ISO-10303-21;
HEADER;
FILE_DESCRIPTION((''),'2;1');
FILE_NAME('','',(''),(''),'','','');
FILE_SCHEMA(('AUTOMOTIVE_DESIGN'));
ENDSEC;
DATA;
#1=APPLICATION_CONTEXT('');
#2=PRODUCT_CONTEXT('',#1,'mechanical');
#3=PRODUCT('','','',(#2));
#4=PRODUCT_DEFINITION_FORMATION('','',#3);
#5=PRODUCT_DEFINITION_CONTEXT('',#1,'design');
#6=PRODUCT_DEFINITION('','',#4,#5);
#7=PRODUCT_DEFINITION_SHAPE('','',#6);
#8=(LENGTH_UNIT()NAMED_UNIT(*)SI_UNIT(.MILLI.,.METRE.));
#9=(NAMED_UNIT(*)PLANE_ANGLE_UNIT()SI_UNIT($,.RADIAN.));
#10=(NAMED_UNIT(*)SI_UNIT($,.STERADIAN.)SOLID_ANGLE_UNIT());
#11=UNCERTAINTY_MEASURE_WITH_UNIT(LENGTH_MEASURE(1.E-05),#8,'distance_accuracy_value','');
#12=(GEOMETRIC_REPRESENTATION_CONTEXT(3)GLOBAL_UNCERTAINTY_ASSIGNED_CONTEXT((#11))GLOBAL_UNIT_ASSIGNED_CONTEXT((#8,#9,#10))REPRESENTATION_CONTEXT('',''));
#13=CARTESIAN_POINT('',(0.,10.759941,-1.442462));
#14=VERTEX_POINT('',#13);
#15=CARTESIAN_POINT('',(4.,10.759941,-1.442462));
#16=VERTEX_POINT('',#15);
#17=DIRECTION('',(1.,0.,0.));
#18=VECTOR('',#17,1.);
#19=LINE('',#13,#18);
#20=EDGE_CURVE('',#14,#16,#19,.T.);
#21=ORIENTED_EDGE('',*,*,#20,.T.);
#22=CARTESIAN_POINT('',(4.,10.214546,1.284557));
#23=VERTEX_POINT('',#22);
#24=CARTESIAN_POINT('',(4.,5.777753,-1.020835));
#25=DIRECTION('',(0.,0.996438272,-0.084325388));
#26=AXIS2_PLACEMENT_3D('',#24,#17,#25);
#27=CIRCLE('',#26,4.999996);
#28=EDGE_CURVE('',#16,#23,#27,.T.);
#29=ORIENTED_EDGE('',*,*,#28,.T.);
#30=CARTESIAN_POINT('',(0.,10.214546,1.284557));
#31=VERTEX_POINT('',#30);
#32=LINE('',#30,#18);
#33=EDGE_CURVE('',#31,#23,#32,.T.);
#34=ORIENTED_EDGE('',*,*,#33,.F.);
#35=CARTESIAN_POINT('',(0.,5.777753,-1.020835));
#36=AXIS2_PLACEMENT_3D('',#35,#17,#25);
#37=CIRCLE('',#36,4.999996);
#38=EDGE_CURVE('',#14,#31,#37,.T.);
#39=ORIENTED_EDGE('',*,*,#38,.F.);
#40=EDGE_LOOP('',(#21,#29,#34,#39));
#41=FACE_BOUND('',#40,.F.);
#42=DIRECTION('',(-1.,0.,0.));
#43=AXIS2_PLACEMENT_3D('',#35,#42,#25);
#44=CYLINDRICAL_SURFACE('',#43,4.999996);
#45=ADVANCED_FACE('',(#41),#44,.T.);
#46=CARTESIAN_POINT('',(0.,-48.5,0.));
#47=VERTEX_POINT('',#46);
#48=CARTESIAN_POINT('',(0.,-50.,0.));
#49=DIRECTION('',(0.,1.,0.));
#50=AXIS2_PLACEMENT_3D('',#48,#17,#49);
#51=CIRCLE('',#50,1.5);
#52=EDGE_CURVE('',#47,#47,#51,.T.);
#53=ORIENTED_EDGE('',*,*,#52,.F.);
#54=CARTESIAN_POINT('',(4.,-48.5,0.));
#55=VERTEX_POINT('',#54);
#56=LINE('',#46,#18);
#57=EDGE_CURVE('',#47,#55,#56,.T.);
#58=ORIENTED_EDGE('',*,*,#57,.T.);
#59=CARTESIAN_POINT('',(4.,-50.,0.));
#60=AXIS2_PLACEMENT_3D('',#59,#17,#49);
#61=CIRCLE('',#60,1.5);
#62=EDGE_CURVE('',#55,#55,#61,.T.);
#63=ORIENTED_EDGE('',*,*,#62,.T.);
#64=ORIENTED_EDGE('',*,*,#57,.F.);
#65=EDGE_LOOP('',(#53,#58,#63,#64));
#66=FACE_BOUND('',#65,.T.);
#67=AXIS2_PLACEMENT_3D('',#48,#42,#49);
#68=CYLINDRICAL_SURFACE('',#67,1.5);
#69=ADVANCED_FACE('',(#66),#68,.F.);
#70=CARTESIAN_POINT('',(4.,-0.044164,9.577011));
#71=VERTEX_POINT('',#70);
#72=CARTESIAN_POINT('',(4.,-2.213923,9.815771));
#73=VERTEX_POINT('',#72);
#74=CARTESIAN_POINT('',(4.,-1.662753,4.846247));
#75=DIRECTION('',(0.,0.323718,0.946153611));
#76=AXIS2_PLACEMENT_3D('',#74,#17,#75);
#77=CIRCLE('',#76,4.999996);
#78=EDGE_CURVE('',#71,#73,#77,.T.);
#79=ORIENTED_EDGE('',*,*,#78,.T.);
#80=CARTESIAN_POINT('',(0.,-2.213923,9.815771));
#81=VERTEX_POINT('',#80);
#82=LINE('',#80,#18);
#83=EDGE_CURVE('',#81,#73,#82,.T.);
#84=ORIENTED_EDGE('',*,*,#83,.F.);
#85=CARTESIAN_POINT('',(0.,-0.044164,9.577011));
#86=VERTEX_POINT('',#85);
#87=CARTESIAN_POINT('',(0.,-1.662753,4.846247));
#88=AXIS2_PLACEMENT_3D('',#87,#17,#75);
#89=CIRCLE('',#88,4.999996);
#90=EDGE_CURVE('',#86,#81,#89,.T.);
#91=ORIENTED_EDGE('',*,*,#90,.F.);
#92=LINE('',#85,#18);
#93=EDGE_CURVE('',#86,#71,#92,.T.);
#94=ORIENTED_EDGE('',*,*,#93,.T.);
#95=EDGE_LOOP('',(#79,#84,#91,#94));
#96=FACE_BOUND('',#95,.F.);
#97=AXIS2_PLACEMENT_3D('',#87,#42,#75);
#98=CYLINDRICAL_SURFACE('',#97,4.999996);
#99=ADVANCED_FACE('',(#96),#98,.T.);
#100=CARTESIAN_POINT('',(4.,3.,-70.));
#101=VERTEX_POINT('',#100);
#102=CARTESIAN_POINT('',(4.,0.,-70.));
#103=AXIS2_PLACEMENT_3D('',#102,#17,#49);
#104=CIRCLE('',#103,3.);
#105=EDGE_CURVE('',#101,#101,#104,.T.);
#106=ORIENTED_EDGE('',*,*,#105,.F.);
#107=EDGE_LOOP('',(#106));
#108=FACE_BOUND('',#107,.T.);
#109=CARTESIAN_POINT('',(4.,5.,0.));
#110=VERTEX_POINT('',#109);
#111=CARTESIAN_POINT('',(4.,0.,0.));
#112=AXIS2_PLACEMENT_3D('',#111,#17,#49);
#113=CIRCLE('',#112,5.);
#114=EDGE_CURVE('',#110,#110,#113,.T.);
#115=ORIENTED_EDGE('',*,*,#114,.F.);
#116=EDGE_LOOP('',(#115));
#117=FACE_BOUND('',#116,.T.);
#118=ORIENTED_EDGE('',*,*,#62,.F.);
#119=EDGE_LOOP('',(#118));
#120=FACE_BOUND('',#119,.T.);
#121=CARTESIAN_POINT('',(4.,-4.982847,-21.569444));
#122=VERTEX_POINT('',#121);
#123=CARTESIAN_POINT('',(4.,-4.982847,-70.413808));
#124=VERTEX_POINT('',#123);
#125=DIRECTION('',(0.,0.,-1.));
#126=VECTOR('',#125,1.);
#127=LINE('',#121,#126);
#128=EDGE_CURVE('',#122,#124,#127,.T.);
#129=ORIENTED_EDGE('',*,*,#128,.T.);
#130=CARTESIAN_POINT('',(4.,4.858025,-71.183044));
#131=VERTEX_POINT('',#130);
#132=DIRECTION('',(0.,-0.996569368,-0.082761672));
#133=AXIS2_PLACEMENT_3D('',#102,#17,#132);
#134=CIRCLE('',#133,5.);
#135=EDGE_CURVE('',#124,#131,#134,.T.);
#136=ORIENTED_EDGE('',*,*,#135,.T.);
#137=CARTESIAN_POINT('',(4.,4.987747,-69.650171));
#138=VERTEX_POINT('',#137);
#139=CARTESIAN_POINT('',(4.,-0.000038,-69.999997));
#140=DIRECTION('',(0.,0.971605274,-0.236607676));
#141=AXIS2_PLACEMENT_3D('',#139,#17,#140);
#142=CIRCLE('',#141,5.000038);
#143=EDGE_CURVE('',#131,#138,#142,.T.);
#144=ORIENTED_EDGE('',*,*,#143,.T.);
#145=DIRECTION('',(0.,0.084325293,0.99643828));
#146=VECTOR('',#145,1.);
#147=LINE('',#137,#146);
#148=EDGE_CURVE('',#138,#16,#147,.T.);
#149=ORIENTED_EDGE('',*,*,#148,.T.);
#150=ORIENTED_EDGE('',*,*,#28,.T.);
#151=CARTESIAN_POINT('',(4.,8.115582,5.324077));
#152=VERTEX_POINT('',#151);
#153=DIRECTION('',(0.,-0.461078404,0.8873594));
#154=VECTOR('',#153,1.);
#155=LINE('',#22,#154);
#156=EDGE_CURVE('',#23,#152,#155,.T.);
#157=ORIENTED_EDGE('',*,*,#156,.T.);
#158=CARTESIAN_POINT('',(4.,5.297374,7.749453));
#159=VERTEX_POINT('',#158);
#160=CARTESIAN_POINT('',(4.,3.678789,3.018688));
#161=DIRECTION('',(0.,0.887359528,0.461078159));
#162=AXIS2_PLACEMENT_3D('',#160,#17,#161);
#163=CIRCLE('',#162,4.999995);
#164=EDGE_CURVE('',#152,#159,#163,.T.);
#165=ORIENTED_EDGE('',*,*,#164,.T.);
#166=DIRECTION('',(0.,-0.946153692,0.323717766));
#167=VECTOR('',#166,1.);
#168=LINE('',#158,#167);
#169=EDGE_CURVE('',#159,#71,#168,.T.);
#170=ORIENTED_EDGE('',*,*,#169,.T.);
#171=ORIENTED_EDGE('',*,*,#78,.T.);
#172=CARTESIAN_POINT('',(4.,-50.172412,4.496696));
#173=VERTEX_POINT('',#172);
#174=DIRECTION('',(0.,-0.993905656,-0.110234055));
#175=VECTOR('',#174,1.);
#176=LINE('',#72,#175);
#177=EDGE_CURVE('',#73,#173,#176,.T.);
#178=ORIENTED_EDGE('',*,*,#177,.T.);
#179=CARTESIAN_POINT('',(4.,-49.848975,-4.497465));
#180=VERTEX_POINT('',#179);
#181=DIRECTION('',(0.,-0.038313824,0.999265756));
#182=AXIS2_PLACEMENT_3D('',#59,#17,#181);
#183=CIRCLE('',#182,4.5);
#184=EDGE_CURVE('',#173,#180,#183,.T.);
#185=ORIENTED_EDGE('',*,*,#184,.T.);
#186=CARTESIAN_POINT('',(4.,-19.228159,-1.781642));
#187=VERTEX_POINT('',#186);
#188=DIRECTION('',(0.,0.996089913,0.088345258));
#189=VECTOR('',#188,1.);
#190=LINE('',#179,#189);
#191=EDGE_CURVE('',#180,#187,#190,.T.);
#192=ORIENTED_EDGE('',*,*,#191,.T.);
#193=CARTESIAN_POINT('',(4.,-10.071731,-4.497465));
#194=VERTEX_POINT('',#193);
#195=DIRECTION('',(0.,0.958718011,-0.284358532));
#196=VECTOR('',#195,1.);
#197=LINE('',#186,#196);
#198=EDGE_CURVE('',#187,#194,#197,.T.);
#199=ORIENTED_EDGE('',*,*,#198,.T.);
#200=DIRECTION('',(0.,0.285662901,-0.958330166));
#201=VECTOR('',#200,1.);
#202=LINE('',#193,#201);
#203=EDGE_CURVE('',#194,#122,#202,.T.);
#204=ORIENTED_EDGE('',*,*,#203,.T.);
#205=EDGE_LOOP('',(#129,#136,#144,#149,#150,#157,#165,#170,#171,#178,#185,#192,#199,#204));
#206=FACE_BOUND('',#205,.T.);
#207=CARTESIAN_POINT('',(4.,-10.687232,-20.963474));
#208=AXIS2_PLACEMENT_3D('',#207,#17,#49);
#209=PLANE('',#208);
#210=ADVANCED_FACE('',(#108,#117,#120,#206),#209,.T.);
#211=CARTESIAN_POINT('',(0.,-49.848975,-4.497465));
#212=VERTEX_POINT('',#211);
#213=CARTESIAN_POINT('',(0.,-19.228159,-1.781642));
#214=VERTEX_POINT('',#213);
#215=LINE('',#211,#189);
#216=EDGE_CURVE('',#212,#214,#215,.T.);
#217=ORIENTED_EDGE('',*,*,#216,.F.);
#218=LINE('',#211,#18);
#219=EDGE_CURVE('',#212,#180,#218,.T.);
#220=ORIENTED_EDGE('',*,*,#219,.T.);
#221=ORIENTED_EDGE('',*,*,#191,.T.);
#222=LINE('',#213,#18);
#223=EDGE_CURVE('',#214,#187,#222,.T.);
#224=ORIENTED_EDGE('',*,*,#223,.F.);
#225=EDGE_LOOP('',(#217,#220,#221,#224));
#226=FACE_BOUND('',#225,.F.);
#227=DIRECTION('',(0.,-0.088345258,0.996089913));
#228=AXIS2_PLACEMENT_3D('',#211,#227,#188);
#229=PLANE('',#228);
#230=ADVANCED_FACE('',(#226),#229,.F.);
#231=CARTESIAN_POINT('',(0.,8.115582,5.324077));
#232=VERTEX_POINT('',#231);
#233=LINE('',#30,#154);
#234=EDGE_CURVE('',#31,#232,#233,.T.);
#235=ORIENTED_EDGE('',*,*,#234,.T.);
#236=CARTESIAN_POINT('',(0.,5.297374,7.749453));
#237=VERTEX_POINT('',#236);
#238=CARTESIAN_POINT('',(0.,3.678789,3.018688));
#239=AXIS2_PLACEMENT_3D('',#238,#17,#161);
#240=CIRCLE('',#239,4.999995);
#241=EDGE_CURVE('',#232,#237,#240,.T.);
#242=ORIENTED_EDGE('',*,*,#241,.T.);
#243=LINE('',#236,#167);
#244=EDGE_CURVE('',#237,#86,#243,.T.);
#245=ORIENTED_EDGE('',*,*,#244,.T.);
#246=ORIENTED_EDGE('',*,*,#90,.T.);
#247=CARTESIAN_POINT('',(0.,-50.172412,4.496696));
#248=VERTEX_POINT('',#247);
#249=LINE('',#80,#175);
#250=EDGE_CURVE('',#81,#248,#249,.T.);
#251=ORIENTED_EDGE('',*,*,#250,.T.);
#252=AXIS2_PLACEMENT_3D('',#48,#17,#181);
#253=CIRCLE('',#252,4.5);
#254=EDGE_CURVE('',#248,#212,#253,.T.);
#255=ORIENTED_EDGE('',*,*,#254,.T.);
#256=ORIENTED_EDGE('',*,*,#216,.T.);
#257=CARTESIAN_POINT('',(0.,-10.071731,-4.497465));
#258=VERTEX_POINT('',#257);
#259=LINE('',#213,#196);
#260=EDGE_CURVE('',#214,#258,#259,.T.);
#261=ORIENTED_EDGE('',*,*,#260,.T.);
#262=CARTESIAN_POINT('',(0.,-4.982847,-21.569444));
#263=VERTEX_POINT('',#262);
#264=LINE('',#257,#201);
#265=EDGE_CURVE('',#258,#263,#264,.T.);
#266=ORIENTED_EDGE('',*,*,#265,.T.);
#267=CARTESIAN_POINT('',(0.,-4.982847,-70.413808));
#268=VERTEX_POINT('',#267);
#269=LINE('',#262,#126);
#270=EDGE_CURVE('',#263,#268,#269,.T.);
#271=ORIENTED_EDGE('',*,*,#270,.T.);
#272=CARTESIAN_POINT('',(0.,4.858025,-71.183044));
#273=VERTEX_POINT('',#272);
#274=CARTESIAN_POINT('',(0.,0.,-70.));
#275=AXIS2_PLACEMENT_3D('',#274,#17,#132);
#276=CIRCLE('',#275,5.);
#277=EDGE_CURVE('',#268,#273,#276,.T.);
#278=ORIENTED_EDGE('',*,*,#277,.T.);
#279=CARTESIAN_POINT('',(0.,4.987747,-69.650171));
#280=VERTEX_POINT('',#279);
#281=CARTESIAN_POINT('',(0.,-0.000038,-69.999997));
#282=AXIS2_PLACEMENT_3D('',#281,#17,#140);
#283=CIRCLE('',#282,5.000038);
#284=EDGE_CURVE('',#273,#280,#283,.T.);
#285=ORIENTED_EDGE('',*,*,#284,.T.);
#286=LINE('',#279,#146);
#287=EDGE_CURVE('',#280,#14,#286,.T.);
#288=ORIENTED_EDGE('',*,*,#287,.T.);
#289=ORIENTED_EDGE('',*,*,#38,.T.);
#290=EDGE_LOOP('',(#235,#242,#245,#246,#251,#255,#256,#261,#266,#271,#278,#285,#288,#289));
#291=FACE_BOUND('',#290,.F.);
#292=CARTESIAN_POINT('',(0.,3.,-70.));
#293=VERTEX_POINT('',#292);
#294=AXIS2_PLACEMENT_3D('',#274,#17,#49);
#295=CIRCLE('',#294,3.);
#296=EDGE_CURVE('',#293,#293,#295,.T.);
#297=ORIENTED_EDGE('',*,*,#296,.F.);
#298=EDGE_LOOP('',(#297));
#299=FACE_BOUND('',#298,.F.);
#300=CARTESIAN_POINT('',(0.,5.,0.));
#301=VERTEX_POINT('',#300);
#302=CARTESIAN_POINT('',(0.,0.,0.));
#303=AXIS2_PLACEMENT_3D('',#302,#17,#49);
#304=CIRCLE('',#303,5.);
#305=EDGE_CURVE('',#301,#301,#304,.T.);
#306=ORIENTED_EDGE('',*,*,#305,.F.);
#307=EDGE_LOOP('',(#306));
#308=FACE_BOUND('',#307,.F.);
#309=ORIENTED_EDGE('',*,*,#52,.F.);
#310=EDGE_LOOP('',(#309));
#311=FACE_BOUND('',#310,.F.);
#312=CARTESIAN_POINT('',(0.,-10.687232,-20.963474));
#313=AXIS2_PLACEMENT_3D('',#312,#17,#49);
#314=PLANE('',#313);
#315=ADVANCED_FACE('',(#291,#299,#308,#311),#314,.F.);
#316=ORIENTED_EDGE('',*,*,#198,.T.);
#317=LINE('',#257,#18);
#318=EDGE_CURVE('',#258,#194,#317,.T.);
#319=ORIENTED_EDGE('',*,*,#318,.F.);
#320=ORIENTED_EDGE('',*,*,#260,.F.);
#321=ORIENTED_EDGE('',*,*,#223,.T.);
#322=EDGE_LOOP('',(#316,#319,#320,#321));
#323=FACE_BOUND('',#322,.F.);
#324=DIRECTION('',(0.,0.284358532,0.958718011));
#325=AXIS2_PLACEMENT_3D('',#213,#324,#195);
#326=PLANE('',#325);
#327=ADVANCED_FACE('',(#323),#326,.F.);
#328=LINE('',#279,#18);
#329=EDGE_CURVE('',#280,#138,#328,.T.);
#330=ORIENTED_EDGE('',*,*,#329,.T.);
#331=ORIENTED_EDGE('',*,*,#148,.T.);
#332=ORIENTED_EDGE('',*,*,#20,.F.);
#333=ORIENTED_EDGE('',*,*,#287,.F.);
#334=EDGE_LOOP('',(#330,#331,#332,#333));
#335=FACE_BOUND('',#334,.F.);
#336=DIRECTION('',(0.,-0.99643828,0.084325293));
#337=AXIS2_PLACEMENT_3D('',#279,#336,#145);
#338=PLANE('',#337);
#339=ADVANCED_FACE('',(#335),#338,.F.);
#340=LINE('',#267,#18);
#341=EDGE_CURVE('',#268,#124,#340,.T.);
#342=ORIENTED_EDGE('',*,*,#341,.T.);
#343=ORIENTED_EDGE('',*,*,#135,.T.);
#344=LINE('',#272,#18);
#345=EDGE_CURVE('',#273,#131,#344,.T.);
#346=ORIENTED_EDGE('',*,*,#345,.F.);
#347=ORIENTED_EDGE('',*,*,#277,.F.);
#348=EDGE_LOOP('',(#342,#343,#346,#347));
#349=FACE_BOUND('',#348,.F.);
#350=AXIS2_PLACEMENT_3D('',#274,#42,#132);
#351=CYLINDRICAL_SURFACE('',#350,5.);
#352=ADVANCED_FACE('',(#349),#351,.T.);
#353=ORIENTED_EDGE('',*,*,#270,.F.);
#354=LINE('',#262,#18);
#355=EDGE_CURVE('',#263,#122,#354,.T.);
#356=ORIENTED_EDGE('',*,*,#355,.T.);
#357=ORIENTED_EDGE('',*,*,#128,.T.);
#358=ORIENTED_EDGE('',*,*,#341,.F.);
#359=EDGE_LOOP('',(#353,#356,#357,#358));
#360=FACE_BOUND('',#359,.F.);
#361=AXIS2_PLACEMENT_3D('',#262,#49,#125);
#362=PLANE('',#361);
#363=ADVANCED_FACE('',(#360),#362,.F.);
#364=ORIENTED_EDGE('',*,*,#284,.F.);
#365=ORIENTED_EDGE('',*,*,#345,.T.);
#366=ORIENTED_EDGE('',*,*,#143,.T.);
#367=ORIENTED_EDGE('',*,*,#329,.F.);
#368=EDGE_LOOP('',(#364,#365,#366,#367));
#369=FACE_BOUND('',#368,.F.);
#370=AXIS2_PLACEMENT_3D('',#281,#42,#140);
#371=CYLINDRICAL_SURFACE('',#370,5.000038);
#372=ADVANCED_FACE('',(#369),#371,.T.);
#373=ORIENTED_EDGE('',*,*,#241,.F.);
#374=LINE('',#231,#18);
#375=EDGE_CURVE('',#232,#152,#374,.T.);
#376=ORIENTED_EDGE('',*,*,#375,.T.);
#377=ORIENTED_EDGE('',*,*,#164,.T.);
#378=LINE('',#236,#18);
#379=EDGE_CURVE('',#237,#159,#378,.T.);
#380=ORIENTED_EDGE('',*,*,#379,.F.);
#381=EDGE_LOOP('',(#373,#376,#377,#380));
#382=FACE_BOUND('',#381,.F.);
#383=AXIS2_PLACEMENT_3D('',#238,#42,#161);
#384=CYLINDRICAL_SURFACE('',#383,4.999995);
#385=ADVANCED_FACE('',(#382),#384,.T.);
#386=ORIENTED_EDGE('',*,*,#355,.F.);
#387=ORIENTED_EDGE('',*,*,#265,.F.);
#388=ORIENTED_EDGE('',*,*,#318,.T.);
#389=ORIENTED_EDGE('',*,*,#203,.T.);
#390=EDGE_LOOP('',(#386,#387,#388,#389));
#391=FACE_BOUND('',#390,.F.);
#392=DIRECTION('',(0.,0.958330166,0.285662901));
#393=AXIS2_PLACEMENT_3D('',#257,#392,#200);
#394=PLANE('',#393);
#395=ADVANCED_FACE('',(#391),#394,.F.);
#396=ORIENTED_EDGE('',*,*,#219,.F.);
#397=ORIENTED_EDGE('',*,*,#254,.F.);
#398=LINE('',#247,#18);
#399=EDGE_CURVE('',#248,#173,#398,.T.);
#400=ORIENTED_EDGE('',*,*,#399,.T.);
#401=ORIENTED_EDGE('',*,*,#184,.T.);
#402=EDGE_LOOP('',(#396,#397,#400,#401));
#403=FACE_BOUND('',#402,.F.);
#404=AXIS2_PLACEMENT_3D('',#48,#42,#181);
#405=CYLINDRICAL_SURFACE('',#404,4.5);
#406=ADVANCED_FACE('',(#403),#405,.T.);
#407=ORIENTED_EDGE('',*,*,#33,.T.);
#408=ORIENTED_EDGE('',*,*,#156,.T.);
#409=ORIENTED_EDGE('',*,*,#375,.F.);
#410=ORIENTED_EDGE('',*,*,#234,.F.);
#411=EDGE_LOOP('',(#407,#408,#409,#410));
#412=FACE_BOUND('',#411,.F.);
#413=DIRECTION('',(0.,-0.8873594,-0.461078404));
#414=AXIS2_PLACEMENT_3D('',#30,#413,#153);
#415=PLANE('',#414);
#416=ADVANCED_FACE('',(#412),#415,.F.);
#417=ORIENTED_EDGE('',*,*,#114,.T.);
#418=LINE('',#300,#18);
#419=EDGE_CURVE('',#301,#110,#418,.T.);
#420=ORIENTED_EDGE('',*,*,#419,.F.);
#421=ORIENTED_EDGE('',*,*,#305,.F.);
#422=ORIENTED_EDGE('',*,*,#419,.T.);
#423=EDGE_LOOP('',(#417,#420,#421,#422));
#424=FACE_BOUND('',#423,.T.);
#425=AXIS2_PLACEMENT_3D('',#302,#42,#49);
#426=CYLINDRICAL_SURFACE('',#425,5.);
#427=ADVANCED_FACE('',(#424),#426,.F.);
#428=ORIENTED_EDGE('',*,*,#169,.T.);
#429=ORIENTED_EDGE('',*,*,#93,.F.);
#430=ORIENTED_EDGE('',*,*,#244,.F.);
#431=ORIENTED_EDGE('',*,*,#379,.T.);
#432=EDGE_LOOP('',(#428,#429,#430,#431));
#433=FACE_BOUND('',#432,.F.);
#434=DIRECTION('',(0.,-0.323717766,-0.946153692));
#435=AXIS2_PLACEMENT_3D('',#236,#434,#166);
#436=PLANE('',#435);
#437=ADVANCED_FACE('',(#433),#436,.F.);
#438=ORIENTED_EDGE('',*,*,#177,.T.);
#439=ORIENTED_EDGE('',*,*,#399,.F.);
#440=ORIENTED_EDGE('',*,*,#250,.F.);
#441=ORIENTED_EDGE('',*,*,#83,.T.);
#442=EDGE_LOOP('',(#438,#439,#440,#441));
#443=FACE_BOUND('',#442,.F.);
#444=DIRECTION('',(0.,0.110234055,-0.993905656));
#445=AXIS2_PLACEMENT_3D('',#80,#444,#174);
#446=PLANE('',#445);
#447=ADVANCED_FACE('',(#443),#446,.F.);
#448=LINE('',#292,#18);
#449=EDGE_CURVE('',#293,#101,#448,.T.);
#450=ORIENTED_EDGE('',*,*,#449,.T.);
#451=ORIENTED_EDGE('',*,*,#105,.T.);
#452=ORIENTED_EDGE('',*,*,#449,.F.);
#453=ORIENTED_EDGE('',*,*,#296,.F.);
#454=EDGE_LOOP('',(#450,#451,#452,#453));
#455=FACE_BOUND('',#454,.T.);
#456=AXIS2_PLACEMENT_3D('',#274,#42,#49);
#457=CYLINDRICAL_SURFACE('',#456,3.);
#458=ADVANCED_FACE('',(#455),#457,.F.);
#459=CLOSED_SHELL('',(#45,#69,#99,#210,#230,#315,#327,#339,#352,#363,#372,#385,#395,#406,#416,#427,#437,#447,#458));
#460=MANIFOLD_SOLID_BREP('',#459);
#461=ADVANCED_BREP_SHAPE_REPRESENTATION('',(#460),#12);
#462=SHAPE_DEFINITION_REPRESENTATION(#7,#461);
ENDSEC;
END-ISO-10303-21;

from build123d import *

# Parameters (mm, degrees)
F0_R     = 3
F0_R_2   = 1.5
F0_R_3   = 5
F1_DEPTH = 4


with BuildPart() as f1:
    # F0 (on Right) → F1 (new body)
    with BuildSketch(Plane.YZ):
        with BuildLine():
            Line((-2.213923, 9.815771), (-50.172412, 4.496696))
            ThreePointArc((-50.172412, 4.496696), (-54.497093, -0.161719), (-49.848975, -4.497465))
            Line((-49.848975, -4.497465), (-19.228159, -1.781642))
            Line((-19.228159, -1.781642), (-10.071731, -4.497465))
            Line((-10.071731, -4.497465), (-4.982847, -21.569444))
            Line((-4.982847, -21.569444), (-4.982847, -70.413808))
            ThreePointArc((-4.982847, -70.413808), (-0.389649, -74.984794), (4.858025, -71.183044))
            Line((4.858025, -71.183044), (4.987747, -69.650171))
            Line((4.987747, -69.650171), (10.759941, -1.442462))
            ThreePointArc((10.759941, -1.442462), (10.680656, -0.04027), (10.214546, 1.284557))
            Line((10.214546, 1.284557), (8.115582, 5.324077))
            ThreePointArc((8.115582, 5.324077), (6.940309, 6.808469), (5.297374, 7.749453))
            Line((5.297374, 7.749453), (-0.044164, 9.577011))
            ThreePointArc((-0.044164, 9.577011), (-1.115855, 9.816243), (-2.213923, 9.815771))
        make_face()
        with Locations((0, -70)):
            Circle(F0_R, mode=Mode.SUBTRACT)
        with Locations((-50, 0)):
            Circle(F0_R_2, mode=Mode.SUBTRACT)
        Circle(F0_R_3, mode=Mode.SUBTRACT)
        with BuildLine():
            Line((4.987747, -69.650171), (4.858025, -71.183044))
            ThreePointArc((4.858025, -71.183044), (4.982191, -70.421626), (4.987747, -69.650171))
        make_face()
    extrude(amount=F1_DEPTH)


solid = f1.part
